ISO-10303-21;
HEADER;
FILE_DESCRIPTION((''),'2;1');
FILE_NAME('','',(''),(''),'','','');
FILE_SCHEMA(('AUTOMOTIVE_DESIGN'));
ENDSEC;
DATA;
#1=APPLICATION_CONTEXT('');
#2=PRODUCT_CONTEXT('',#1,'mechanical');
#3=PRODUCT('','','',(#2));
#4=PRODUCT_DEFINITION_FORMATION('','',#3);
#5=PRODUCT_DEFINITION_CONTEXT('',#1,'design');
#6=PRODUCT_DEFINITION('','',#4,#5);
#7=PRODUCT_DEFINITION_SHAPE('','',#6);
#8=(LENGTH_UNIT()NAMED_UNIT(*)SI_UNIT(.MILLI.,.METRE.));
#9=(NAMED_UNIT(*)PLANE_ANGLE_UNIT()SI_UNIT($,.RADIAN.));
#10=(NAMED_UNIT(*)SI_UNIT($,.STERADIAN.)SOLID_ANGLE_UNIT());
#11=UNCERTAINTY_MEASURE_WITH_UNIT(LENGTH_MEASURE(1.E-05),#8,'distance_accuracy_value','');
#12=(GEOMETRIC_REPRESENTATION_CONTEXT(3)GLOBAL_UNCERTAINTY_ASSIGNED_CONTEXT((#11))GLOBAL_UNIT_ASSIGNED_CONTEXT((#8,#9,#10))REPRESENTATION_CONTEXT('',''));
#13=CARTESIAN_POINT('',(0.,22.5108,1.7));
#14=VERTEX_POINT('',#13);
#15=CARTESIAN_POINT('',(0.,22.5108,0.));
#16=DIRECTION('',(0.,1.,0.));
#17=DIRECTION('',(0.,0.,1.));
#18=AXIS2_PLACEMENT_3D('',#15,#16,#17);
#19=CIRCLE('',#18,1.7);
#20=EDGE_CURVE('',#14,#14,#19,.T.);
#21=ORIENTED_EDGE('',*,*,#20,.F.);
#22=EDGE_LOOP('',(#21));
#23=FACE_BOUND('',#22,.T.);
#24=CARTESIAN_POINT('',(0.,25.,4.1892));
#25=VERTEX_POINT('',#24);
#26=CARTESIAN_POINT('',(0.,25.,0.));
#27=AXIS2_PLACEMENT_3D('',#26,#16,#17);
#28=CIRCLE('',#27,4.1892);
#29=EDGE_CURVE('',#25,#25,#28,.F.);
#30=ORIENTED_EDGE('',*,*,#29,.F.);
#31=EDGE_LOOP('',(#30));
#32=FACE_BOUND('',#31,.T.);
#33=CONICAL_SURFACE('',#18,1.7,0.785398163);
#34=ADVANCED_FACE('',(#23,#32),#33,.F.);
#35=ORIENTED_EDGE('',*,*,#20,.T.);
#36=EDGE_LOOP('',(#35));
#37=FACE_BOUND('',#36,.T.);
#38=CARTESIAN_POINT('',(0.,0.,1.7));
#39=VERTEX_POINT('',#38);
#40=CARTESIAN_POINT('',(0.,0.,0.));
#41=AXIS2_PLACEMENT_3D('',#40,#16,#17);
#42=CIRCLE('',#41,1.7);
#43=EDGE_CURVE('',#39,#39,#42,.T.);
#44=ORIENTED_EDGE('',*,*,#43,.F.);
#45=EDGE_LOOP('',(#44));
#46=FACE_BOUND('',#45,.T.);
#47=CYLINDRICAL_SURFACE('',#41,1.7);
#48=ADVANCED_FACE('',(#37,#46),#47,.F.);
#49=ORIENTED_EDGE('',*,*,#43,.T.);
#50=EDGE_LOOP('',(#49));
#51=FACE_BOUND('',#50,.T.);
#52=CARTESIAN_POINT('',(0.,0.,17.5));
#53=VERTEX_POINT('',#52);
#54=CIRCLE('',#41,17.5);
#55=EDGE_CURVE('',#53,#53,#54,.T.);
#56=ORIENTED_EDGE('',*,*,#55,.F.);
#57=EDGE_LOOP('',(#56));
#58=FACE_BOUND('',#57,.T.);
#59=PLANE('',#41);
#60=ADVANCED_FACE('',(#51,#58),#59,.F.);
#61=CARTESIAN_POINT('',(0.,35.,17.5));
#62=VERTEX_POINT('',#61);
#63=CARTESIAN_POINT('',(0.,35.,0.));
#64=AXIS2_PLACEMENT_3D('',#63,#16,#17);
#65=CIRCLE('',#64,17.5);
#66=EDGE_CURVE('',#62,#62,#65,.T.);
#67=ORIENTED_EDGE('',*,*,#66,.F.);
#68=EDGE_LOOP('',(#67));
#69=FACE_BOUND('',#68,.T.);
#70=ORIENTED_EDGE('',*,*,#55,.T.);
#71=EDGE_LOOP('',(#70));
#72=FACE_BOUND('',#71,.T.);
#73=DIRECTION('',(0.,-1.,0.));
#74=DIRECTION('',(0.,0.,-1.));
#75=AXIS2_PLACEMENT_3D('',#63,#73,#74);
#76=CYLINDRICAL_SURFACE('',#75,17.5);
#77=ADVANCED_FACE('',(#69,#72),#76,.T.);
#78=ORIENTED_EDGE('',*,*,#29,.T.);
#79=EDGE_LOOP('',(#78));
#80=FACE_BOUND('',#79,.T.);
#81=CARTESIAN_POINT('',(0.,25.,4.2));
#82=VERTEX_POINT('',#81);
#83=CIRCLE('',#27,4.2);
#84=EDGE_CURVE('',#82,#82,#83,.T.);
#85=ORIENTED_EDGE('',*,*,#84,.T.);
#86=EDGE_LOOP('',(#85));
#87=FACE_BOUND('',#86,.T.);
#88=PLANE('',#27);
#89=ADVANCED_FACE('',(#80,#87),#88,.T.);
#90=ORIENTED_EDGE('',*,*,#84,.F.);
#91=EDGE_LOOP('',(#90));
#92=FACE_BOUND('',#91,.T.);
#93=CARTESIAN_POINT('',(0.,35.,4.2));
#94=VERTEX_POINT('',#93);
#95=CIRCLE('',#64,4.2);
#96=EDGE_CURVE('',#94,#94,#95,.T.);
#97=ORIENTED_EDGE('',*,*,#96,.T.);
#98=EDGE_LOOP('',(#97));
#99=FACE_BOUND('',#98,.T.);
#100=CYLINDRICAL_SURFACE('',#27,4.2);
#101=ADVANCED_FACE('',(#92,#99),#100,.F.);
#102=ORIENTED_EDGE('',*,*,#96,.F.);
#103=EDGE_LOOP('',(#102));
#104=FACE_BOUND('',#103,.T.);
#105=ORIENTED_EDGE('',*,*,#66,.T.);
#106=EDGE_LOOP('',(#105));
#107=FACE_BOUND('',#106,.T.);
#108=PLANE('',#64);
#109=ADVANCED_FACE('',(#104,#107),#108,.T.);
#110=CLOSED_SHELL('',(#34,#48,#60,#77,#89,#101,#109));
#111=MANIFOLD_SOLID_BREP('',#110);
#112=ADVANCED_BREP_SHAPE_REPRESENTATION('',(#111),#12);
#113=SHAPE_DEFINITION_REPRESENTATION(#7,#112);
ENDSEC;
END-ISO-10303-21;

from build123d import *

# Parameters (mm, degrees)
SKETCH1_R           = 17.5
BOSS_EXTRUDE1_DEPTH = 35
SKETCH2_R           = 4.2
CUT_EXTRUDE1_DEPTH  = 10
SKETCH3_R           = 1.7
CUT_EXTRUDE2_DEPTH  = 26
CHAMFER1_SIZE       = 2.4892


with BuildPart() as part:
    # Sketch1 → Boss-Extrude1 (new body)
    with BuildSketch(Plane(origin=(0, 0, 0), x_dir=(1, 0, 0), z_dir=(0, 1, 0))):
        with Locations(Location((0, 0, 0), (0, 0, 270))):  # turned: the seam where the file's is
            Circle(SKETCH1_R)
    extrude(amount=BOSS_EXTRUDE1_DEPTH)

    # Sketch2 → Cut-Extrude1 (cut)
    with BuildSketch(Plane(origin=(0, 35, 0), x_dir=(1, 0, 0), z_dir=(0, 1, 0))):
        with Locations(Location((0, 0, 0), (0, 0, 270))):  # turned: the seam where the file's is
            Circle(SKETCH2_R)
    extrude(amount=-CUT_EXTRUDE1_DEPTH, mode=Mode.SUBTRACT)

    # Sketch3 → Cut-Extrude2 (cut, through all)
    with BuildSketch(Plane(origin=(0, 25, 0), x_dir=(1, 0, 0), z_dir=(0, 1, 0))):
        with Locations(Location((0, 0, 0), (0, 0, 270))):  # turned: the seam where the file's is
            Circle(SKETCH3_R)
    extrude(amount=-CUT_EXTRUDE2_DEPTH, mode=Mode.SUBTRACT)

    # Chamfer1
    chamfer1_edges = [part.edges().sort_by_distance(p)[0] for p in [
        (0, 25, -1.7),
    ]]
    chamfer(chamfer1_edges, length=CHAMFER1_SIZE)


solid = part.part
